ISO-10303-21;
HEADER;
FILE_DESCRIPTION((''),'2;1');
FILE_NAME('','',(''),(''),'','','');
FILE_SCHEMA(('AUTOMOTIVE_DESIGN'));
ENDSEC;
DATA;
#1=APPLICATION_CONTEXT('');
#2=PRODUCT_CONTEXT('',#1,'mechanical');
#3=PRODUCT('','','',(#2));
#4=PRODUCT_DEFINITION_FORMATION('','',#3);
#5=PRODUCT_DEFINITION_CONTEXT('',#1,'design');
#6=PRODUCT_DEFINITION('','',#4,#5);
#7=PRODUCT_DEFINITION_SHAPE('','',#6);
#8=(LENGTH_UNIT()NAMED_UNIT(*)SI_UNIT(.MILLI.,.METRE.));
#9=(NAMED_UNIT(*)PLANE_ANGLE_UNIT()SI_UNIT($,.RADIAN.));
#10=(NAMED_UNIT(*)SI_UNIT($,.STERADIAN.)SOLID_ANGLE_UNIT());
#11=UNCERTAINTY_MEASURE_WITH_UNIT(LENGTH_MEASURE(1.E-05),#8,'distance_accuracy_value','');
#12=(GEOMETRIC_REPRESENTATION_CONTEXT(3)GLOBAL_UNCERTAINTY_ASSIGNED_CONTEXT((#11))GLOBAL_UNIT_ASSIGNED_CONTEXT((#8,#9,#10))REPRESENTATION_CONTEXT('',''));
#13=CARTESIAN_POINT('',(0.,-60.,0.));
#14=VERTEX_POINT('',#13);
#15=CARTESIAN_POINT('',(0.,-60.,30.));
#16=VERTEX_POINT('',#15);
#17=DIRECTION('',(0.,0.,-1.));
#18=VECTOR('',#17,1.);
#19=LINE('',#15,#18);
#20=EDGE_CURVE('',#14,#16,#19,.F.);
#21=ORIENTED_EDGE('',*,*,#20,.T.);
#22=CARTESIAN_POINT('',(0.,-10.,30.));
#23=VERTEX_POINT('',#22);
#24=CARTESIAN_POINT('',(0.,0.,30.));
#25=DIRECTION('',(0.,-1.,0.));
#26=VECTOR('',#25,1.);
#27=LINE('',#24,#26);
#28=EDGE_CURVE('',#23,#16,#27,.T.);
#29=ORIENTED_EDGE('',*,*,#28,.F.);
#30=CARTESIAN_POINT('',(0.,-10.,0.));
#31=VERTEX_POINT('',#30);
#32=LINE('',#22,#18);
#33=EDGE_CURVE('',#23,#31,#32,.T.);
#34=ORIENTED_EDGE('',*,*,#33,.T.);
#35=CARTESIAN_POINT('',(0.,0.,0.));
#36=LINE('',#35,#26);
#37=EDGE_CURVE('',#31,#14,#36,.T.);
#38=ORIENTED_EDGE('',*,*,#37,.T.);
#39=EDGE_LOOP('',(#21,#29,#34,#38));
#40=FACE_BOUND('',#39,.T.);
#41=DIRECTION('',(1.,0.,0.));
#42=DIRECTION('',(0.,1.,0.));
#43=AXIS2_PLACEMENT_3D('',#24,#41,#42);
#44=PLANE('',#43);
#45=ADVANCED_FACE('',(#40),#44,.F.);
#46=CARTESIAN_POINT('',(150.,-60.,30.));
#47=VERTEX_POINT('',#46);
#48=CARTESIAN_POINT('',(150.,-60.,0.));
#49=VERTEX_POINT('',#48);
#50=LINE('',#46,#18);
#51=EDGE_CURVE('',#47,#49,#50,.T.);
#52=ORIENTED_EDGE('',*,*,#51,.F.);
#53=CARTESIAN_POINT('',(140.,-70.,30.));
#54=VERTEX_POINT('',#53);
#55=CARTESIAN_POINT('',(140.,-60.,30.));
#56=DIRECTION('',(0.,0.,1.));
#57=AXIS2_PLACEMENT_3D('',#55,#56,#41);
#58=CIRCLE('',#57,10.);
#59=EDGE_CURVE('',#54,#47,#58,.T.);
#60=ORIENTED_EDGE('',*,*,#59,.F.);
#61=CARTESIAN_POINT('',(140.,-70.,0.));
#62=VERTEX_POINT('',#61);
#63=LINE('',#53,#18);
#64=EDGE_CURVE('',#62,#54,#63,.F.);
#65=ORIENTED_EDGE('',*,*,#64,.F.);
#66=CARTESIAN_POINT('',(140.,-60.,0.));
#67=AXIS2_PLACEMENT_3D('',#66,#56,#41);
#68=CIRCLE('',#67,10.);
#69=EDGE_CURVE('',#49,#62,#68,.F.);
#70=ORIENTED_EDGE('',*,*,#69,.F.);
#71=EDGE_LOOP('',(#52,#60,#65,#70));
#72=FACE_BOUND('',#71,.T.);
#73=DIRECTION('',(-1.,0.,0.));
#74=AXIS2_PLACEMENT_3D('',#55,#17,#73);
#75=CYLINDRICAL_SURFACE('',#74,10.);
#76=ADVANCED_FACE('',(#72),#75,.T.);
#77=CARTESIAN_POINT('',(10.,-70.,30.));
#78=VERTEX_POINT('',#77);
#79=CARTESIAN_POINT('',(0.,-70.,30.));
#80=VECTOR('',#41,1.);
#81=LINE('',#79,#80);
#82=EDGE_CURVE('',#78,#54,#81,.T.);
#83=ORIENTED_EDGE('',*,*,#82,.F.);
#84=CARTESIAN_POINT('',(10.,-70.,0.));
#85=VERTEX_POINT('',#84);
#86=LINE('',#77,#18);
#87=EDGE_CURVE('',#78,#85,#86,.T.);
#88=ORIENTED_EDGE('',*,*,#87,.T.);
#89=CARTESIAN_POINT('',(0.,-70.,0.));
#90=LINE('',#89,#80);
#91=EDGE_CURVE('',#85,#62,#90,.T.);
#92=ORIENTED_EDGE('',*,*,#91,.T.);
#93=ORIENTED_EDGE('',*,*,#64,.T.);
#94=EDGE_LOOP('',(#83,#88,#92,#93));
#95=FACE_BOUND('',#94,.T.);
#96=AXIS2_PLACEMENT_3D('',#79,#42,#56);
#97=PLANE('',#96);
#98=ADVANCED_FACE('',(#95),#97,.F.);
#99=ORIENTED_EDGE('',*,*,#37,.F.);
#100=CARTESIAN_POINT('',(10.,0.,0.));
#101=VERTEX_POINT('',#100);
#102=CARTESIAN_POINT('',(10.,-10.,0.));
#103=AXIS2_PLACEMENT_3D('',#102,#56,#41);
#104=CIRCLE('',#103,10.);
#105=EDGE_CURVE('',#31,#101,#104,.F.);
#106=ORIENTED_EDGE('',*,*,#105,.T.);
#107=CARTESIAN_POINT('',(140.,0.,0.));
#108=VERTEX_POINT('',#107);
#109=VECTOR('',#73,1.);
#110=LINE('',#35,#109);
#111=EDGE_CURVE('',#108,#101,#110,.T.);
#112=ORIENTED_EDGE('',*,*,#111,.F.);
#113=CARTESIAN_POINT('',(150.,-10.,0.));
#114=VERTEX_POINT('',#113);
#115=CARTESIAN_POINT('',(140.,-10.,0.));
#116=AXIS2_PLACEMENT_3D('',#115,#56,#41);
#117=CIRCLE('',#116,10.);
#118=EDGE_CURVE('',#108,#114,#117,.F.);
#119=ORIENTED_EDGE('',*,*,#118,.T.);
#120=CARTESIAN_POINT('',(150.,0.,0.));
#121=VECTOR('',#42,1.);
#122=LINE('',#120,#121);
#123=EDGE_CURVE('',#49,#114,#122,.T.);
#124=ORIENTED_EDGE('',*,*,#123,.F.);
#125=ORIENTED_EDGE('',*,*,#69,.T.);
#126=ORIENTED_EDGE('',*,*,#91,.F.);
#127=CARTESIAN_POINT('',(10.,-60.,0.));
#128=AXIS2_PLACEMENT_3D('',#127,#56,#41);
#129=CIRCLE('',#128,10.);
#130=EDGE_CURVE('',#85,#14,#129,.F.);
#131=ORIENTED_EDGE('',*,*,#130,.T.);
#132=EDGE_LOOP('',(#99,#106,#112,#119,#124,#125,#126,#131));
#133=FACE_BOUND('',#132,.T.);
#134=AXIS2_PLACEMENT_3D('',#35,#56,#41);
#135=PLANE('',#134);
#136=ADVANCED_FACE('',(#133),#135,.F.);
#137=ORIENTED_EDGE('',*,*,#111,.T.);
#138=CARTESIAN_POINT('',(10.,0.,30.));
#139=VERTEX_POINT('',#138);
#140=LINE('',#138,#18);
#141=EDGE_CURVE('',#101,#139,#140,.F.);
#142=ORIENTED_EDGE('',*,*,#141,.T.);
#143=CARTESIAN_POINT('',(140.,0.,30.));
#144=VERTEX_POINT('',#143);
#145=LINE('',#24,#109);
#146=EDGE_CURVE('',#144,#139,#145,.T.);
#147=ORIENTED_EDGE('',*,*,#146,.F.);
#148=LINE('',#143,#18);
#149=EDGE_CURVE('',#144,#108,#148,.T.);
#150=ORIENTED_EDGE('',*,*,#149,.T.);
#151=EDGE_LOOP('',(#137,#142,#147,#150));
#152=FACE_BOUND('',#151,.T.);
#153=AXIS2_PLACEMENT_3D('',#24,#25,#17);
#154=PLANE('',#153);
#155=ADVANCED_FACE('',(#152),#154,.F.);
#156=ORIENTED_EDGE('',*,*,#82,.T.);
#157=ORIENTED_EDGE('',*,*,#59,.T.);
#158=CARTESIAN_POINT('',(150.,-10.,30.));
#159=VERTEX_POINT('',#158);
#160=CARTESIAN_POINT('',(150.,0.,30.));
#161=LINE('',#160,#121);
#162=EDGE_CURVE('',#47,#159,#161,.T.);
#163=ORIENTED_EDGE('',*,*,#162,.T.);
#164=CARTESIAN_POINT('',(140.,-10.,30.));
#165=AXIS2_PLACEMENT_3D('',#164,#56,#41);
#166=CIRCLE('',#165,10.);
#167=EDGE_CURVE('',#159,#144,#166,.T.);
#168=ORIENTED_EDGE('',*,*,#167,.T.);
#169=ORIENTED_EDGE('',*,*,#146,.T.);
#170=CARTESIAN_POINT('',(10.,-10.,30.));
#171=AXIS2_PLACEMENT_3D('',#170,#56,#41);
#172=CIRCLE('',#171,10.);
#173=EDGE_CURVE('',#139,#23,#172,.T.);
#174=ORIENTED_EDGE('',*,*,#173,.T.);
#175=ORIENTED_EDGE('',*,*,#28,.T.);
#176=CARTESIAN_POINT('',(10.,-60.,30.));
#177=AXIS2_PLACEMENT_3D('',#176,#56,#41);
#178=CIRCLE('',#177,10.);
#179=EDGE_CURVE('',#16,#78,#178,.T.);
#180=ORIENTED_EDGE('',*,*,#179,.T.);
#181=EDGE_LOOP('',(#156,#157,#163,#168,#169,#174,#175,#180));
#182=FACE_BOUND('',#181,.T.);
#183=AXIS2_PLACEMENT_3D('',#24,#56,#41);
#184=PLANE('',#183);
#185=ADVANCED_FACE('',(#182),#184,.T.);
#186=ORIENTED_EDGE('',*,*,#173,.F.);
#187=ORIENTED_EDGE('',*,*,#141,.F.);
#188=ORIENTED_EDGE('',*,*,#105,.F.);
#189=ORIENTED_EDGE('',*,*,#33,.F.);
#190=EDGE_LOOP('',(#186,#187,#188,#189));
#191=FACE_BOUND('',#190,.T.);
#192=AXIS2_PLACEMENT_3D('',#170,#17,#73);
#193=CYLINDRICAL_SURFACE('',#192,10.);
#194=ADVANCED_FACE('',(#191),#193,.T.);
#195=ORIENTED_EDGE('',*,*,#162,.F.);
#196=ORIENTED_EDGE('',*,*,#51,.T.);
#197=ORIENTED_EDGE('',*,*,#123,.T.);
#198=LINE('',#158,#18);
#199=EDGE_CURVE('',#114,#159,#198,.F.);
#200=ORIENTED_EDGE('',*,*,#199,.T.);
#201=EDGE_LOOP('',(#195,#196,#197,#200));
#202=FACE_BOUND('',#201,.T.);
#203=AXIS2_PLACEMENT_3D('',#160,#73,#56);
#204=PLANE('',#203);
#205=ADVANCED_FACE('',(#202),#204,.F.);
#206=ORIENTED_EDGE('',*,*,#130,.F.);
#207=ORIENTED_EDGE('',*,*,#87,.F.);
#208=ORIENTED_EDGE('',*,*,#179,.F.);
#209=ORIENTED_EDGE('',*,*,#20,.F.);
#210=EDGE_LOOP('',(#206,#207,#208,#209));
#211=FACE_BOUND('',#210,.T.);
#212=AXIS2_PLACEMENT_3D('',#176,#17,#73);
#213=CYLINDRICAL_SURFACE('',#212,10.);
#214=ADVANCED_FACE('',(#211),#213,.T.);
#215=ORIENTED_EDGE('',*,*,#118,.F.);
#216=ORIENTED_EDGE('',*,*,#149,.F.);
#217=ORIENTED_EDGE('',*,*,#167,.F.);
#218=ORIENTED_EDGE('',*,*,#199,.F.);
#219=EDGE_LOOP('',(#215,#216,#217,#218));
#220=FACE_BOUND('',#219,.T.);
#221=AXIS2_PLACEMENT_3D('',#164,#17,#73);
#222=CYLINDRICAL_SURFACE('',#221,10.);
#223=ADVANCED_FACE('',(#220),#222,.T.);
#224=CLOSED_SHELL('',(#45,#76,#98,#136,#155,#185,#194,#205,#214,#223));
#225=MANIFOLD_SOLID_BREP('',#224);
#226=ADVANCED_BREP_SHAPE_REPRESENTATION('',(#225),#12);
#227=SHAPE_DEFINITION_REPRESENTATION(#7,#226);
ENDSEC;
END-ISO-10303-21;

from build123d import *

# Parameters (mm, degrees)
SKETCH_1_W      = 150
SKETCH_1_H      = 70
EXTRUDE_1_DEPTH = 30
FILLET_1_R      = 10


with BuildPart() as part:
    # 스케치1 → 보스-돌출1 (new body)
    with BuildSketch(Plane.XY):
        with Locations((75, -35)):
            Rectangle(SKETCH_1_W, SKETCH_1_H)
    extrude(amount=EXTRUDE_1_DEPTH)

    # 필렛1
    fillet_1_edges = [part.edges().sort_by_distance(p)[0] for p in [
        (0, 0, 15),
        (150, 0, 15),
        (150, -70, 15),
        (0, -70, 15),
    ]]
    fillet(fillet_1_edges, radius=FILLET_1_R)


solid = part.part
